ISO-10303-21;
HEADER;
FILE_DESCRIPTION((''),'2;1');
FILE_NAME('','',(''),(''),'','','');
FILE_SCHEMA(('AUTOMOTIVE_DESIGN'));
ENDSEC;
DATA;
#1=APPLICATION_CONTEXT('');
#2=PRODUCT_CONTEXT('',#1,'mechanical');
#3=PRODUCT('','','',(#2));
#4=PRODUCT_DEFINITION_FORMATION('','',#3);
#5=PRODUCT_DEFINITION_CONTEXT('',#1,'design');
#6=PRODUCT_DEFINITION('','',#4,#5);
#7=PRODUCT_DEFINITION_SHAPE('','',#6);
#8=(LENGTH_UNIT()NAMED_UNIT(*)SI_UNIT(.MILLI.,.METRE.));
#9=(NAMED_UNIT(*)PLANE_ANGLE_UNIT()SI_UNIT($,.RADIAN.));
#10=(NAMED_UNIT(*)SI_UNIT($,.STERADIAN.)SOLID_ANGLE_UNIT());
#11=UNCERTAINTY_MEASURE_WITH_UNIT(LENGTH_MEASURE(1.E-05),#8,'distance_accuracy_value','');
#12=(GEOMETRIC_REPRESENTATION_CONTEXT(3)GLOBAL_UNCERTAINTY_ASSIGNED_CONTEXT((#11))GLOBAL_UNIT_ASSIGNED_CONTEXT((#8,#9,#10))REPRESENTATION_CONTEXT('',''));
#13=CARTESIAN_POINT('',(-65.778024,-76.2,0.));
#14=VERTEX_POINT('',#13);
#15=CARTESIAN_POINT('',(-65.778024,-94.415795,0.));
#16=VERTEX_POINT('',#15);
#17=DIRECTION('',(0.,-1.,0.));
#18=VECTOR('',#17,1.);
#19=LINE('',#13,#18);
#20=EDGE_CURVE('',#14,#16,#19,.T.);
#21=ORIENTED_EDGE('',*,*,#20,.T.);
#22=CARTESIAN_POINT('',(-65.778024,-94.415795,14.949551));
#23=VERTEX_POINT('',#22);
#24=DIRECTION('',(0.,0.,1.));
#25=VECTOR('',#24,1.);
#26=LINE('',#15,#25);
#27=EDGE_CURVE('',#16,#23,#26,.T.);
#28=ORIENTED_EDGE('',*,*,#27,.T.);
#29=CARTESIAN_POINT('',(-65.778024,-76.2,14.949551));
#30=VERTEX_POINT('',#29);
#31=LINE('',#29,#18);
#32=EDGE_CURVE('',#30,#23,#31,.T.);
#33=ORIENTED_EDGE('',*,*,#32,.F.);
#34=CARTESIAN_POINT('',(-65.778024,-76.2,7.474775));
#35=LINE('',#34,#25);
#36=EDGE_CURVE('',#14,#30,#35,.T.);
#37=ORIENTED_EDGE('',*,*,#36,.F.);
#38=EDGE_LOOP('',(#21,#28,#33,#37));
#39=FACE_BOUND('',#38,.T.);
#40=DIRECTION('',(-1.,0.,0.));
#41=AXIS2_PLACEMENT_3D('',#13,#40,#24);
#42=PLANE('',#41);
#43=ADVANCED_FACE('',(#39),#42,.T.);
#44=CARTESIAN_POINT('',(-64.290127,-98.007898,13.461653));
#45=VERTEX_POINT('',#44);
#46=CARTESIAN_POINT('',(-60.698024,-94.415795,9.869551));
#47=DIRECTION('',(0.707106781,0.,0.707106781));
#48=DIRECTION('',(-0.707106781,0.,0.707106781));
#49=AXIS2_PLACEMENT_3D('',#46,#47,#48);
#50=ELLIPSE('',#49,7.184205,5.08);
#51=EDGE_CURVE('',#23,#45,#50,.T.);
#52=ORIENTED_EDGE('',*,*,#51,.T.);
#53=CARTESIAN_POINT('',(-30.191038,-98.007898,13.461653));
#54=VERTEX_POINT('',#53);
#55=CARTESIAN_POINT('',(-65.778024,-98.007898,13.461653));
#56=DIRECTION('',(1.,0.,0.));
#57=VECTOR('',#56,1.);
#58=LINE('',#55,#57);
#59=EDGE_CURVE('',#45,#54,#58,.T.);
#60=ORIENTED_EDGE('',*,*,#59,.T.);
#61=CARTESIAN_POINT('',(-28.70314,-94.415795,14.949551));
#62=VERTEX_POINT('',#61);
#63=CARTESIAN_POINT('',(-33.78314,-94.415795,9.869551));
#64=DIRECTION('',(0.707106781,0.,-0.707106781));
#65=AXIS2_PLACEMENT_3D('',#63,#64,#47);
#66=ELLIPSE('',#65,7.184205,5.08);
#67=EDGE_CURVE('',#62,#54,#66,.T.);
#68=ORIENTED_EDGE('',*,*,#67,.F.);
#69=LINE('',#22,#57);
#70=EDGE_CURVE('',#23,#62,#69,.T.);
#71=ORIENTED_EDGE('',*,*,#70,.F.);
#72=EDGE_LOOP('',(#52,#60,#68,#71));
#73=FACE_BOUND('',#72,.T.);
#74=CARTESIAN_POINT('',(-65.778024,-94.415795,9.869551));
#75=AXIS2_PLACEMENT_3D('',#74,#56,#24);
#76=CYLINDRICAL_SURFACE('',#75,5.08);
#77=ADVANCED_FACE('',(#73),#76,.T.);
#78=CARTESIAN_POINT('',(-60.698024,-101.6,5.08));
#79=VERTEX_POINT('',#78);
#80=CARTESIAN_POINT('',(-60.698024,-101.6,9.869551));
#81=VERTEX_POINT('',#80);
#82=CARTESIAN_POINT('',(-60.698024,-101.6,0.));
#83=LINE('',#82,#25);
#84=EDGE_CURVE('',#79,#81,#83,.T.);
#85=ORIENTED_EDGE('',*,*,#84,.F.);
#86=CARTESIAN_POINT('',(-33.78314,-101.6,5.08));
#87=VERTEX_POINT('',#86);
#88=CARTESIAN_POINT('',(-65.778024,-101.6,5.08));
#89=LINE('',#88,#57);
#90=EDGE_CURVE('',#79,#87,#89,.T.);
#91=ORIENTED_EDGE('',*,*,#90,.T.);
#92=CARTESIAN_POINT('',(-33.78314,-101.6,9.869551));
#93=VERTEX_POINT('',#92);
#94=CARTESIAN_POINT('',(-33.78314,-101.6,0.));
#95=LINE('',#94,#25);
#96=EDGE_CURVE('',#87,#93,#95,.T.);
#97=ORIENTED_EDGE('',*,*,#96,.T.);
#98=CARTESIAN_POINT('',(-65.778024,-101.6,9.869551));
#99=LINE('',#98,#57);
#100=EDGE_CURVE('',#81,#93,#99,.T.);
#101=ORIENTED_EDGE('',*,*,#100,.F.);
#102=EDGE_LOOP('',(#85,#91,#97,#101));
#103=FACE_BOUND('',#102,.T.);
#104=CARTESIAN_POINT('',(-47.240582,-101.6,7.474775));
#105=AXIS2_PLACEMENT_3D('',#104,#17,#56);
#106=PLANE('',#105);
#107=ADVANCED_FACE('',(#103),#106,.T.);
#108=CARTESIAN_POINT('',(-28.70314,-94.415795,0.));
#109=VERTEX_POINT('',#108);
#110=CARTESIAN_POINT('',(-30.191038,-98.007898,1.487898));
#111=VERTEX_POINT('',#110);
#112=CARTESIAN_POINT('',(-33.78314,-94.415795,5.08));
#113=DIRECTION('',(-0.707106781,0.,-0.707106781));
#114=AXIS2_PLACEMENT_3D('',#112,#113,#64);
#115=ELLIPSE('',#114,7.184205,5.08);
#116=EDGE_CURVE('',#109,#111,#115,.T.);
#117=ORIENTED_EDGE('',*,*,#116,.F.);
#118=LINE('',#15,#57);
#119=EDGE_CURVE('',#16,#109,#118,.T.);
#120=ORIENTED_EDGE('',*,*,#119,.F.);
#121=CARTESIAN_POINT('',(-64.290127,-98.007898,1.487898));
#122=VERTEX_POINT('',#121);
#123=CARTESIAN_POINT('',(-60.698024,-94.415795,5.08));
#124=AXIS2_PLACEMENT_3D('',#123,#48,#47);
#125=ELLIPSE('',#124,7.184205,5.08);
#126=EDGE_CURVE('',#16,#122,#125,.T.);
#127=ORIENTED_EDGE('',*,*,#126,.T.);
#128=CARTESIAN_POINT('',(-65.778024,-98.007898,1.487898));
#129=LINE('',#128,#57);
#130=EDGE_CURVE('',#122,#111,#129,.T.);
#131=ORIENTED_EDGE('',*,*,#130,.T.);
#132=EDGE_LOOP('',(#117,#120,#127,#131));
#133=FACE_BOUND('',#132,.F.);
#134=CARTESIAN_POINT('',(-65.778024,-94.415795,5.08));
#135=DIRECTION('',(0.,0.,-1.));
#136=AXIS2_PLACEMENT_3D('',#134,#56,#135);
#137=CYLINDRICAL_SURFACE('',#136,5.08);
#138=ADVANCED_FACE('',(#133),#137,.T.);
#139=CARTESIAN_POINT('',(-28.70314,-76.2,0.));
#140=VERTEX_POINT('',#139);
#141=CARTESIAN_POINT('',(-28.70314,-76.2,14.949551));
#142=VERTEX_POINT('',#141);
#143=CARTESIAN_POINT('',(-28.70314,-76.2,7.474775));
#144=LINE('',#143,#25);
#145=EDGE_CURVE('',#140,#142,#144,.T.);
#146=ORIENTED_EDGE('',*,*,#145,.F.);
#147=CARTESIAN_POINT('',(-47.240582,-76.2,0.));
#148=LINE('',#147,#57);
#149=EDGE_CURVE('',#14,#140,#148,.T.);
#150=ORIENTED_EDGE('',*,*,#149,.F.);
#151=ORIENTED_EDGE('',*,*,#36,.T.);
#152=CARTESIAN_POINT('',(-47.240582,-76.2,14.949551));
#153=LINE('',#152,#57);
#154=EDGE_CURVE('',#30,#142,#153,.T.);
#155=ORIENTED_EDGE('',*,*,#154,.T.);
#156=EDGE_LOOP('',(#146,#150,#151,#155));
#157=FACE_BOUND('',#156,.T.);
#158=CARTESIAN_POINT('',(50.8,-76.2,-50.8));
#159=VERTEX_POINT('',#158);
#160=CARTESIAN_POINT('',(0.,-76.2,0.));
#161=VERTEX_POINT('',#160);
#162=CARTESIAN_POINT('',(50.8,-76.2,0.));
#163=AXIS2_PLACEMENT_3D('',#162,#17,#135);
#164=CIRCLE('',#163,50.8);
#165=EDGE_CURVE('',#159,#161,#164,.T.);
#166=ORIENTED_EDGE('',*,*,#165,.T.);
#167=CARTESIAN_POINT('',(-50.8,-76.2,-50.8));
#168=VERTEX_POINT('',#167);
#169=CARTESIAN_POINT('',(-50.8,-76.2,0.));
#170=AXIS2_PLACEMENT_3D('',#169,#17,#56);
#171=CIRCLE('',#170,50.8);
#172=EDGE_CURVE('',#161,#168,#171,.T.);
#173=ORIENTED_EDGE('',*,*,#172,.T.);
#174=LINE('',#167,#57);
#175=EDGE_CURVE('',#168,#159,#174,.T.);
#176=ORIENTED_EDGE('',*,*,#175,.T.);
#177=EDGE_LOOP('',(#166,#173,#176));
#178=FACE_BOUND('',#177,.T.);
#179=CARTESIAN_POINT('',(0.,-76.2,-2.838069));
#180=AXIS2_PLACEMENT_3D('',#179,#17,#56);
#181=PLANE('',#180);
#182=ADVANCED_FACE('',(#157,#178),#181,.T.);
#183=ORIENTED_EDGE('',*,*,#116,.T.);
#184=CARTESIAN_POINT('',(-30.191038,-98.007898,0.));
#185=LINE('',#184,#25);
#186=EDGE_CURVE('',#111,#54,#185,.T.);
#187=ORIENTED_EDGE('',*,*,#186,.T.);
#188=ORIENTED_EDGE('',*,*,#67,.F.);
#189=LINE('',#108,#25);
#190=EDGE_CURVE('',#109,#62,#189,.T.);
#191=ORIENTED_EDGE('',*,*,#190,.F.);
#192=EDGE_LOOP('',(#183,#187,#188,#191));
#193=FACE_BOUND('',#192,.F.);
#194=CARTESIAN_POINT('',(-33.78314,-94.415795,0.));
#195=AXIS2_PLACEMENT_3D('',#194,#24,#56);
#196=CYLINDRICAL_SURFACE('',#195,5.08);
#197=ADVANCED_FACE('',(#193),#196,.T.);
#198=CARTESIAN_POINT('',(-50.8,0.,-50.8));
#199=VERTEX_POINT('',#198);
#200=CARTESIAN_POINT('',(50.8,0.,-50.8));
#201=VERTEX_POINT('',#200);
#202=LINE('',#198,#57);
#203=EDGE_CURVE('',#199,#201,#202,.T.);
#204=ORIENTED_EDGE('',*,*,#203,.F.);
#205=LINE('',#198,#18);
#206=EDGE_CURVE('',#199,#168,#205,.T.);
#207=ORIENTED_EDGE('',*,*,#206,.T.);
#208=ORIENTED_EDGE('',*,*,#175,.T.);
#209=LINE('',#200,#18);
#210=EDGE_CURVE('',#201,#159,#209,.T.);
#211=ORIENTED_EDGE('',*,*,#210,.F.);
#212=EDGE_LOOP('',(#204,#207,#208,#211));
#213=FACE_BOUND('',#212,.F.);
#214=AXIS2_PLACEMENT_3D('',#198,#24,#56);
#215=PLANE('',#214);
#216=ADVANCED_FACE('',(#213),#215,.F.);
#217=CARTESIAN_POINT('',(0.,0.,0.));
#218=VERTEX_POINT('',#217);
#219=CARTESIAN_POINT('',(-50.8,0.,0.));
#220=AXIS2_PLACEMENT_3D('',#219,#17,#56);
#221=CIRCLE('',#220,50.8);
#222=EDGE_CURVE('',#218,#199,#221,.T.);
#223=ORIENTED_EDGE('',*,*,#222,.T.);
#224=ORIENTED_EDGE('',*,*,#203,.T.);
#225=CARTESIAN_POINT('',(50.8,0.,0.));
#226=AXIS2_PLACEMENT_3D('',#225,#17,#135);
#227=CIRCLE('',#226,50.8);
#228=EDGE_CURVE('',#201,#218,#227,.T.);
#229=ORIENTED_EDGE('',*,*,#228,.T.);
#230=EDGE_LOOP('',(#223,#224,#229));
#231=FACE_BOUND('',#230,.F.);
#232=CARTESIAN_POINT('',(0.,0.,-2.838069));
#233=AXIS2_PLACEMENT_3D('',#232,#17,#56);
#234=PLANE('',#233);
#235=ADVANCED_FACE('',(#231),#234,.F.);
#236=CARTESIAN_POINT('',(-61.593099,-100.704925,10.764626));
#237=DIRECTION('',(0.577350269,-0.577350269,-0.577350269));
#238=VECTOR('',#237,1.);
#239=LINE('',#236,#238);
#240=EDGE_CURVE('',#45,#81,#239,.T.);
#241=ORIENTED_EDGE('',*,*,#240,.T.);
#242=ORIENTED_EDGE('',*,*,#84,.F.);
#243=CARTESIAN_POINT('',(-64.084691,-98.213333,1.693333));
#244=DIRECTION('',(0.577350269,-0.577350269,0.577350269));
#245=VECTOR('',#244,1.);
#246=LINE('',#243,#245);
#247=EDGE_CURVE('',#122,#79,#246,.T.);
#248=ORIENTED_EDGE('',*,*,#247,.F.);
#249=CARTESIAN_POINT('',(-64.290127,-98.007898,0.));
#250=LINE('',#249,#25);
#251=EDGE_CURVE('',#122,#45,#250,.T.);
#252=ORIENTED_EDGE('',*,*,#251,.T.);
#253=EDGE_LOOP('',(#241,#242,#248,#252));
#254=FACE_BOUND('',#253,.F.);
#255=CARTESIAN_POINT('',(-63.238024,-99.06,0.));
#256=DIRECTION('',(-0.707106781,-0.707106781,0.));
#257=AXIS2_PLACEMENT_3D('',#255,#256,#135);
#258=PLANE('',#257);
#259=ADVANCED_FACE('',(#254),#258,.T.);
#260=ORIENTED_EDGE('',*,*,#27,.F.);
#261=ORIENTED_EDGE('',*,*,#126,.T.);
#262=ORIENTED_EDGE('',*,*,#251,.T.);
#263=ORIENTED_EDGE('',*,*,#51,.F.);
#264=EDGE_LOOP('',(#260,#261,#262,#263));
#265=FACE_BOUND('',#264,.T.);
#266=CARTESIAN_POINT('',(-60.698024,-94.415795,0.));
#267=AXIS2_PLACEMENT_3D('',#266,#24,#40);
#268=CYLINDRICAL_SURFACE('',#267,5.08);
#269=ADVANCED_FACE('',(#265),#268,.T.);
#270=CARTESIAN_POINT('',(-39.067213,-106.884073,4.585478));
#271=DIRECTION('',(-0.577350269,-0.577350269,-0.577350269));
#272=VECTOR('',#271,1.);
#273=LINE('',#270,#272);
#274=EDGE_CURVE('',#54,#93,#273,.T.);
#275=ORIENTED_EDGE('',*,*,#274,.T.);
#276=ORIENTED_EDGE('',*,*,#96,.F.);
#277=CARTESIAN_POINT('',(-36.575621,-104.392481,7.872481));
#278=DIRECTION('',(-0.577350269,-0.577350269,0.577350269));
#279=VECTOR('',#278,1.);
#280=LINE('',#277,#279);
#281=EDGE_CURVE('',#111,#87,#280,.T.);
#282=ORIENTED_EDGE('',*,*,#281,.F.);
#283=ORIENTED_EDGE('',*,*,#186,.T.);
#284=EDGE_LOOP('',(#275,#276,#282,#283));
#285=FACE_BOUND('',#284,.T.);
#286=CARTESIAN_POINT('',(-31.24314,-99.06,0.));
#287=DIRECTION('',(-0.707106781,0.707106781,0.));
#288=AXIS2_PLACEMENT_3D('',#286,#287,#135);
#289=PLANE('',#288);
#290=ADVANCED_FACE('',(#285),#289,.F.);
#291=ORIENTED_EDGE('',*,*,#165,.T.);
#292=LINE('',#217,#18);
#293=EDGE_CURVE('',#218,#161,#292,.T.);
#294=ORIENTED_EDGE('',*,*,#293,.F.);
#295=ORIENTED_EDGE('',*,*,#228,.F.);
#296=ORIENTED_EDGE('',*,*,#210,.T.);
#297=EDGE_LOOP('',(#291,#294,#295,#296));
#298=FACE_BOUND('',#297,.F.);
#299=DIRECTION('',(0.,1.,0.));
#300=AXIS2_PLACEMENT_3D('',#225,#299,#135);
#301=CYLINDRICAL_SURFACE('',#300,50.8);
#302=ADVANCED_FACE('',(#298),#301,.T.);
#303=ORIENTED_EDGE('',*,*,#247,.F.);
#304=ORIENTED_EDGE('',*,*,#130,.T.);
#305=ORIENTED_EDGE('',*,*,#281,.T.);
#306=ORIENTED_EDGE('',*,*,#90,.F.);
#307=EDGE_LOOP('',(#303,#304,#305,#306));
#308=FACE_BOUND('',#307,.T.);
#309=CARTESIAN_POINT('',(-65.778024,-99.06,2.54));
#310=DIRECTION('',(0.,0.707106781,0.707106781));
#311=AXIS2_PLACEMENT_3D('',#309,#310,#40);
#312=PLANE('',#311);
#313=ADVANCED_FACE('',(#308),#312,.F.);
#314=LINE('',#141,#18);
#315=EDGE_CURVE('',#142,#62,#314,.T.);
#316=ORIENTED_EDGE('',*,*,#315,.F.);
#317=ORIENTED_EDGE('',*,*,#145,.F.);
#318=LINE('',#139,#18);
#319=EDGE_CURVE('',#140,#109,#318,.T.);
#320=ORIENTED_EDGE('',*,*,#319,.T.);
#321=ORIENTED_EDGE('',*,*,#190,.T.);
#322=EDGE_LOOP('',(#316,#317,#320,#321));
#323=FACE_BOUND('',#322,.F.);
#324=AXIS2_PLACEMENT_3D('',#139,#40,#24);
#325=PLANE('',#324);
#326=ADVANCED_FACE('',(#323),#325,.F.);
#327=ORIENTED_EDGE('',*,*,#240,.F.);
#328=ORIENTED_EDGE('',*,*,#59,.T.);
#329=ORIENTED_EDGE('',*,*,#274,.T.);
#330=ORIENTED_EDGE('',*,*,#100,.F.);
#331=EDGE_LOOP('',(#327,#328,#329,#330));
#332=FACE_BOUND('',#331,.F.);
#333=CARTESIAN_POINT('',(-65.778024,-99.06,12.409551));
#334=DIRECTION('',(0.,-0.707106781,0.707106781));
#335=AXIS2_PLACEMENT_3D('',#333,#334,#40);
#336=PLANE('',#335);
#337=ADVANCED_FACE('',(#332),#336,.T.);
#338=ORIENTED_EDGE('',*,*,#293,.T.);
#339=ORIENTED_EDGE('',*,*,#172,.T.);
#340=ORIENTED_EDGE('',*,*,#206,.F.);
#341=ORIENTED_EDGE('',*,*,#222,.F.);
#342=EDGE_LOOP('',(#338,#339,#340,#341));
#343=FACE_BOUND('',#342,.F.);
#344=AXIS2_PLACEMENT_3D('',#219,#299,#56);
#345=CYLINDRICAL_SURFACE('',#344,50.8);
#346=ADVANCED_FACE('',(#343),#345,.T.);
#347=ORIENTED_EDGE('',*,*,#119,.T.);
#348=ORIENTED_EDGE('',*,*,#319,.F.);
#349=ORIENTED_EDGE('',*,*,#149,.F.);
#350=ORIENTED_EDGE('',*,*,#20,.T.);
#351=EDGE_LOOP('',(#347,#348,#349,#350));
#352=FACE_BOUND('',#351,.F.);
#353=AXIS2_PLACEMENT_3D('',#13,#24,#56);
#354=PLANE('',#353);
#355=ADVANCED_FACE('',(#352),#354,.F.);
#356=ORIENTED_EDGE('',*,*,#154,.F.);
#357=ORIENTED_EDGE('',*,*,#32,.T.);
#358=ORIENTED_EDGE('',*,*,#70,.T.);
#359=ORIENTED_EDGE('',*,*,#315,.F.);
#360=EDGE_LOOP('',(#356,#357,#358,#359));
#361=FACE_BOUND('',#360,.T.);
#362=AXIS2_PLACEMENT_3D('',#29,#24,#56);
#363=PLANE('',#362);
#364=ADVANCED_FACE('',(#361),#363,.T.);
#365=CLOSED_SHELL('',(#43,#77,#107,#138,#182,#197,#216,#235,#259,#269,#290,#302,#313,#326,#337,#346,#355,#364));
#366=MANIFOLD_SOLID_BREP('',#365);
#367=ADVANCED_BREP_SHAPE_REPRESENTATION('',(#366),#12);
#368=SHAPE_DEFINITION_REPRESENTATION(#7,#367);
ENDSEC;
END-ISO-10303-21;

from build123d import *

# Parameters (mm, degrees)
F1_DEPTH = 76.2
F2_W     = 37.0748843998
F2_H     = 14.9495508522
F3_DEPTH = 25.4
F4_SIZE  = 5.08
F5_R     = 5.08


with BuildPart() as f1:
    # F0 (on Front) → F1 (new body)
    with BuildSketch(Plane.XZ):
        with BuildLine():
            ThreePointArc((0, 0), (-86.7210244843, 35.9210244843), (-50.8, -50.8))
            Line((-50.8, -50.8), (50.8, -50.8))
            ThreePointArc((50.8, -50.8), (86.7210244843, 35.9210244843), (0, 0))
        make_face()
    extrude(amount=F1_DEPTH)

    # F2 (on face) → F3 (join)
    with BuildSketch(Plane.XZ.offset(76.2)):
        with Locations((-47.2405822948, 7.4747754261)):
            Rectangle(F2_W, F2_H)
    extrude(amount=F3_DEPTH)

    # F4
    f4_edges = [f1.edges().sort_by_distance(p)[0] for p in [
        (-47.240582, -101.6, 14.949551),
        (-65.778024, -101.6, 7.474775),
        (-47.240582, -101.6, 0),
        (-28.70314, -101.6, 7.474775),
    ]]
    chamfer(f4_edges, length=F4_SIZE)

    # F5
    f5_edges = [f1.edges().sort_by_distance(p)[0] for p in [
        (-47.240582, -96.52, 0),
        (-65.778024, -96.52, 7.474775),
        (-47.240582, -96.52, 14.949551),
        (-28.70314, -96.52, 7.474775),
    ]]
    fillet(f5_edges, radius=F5_R)


solid = f1.part
